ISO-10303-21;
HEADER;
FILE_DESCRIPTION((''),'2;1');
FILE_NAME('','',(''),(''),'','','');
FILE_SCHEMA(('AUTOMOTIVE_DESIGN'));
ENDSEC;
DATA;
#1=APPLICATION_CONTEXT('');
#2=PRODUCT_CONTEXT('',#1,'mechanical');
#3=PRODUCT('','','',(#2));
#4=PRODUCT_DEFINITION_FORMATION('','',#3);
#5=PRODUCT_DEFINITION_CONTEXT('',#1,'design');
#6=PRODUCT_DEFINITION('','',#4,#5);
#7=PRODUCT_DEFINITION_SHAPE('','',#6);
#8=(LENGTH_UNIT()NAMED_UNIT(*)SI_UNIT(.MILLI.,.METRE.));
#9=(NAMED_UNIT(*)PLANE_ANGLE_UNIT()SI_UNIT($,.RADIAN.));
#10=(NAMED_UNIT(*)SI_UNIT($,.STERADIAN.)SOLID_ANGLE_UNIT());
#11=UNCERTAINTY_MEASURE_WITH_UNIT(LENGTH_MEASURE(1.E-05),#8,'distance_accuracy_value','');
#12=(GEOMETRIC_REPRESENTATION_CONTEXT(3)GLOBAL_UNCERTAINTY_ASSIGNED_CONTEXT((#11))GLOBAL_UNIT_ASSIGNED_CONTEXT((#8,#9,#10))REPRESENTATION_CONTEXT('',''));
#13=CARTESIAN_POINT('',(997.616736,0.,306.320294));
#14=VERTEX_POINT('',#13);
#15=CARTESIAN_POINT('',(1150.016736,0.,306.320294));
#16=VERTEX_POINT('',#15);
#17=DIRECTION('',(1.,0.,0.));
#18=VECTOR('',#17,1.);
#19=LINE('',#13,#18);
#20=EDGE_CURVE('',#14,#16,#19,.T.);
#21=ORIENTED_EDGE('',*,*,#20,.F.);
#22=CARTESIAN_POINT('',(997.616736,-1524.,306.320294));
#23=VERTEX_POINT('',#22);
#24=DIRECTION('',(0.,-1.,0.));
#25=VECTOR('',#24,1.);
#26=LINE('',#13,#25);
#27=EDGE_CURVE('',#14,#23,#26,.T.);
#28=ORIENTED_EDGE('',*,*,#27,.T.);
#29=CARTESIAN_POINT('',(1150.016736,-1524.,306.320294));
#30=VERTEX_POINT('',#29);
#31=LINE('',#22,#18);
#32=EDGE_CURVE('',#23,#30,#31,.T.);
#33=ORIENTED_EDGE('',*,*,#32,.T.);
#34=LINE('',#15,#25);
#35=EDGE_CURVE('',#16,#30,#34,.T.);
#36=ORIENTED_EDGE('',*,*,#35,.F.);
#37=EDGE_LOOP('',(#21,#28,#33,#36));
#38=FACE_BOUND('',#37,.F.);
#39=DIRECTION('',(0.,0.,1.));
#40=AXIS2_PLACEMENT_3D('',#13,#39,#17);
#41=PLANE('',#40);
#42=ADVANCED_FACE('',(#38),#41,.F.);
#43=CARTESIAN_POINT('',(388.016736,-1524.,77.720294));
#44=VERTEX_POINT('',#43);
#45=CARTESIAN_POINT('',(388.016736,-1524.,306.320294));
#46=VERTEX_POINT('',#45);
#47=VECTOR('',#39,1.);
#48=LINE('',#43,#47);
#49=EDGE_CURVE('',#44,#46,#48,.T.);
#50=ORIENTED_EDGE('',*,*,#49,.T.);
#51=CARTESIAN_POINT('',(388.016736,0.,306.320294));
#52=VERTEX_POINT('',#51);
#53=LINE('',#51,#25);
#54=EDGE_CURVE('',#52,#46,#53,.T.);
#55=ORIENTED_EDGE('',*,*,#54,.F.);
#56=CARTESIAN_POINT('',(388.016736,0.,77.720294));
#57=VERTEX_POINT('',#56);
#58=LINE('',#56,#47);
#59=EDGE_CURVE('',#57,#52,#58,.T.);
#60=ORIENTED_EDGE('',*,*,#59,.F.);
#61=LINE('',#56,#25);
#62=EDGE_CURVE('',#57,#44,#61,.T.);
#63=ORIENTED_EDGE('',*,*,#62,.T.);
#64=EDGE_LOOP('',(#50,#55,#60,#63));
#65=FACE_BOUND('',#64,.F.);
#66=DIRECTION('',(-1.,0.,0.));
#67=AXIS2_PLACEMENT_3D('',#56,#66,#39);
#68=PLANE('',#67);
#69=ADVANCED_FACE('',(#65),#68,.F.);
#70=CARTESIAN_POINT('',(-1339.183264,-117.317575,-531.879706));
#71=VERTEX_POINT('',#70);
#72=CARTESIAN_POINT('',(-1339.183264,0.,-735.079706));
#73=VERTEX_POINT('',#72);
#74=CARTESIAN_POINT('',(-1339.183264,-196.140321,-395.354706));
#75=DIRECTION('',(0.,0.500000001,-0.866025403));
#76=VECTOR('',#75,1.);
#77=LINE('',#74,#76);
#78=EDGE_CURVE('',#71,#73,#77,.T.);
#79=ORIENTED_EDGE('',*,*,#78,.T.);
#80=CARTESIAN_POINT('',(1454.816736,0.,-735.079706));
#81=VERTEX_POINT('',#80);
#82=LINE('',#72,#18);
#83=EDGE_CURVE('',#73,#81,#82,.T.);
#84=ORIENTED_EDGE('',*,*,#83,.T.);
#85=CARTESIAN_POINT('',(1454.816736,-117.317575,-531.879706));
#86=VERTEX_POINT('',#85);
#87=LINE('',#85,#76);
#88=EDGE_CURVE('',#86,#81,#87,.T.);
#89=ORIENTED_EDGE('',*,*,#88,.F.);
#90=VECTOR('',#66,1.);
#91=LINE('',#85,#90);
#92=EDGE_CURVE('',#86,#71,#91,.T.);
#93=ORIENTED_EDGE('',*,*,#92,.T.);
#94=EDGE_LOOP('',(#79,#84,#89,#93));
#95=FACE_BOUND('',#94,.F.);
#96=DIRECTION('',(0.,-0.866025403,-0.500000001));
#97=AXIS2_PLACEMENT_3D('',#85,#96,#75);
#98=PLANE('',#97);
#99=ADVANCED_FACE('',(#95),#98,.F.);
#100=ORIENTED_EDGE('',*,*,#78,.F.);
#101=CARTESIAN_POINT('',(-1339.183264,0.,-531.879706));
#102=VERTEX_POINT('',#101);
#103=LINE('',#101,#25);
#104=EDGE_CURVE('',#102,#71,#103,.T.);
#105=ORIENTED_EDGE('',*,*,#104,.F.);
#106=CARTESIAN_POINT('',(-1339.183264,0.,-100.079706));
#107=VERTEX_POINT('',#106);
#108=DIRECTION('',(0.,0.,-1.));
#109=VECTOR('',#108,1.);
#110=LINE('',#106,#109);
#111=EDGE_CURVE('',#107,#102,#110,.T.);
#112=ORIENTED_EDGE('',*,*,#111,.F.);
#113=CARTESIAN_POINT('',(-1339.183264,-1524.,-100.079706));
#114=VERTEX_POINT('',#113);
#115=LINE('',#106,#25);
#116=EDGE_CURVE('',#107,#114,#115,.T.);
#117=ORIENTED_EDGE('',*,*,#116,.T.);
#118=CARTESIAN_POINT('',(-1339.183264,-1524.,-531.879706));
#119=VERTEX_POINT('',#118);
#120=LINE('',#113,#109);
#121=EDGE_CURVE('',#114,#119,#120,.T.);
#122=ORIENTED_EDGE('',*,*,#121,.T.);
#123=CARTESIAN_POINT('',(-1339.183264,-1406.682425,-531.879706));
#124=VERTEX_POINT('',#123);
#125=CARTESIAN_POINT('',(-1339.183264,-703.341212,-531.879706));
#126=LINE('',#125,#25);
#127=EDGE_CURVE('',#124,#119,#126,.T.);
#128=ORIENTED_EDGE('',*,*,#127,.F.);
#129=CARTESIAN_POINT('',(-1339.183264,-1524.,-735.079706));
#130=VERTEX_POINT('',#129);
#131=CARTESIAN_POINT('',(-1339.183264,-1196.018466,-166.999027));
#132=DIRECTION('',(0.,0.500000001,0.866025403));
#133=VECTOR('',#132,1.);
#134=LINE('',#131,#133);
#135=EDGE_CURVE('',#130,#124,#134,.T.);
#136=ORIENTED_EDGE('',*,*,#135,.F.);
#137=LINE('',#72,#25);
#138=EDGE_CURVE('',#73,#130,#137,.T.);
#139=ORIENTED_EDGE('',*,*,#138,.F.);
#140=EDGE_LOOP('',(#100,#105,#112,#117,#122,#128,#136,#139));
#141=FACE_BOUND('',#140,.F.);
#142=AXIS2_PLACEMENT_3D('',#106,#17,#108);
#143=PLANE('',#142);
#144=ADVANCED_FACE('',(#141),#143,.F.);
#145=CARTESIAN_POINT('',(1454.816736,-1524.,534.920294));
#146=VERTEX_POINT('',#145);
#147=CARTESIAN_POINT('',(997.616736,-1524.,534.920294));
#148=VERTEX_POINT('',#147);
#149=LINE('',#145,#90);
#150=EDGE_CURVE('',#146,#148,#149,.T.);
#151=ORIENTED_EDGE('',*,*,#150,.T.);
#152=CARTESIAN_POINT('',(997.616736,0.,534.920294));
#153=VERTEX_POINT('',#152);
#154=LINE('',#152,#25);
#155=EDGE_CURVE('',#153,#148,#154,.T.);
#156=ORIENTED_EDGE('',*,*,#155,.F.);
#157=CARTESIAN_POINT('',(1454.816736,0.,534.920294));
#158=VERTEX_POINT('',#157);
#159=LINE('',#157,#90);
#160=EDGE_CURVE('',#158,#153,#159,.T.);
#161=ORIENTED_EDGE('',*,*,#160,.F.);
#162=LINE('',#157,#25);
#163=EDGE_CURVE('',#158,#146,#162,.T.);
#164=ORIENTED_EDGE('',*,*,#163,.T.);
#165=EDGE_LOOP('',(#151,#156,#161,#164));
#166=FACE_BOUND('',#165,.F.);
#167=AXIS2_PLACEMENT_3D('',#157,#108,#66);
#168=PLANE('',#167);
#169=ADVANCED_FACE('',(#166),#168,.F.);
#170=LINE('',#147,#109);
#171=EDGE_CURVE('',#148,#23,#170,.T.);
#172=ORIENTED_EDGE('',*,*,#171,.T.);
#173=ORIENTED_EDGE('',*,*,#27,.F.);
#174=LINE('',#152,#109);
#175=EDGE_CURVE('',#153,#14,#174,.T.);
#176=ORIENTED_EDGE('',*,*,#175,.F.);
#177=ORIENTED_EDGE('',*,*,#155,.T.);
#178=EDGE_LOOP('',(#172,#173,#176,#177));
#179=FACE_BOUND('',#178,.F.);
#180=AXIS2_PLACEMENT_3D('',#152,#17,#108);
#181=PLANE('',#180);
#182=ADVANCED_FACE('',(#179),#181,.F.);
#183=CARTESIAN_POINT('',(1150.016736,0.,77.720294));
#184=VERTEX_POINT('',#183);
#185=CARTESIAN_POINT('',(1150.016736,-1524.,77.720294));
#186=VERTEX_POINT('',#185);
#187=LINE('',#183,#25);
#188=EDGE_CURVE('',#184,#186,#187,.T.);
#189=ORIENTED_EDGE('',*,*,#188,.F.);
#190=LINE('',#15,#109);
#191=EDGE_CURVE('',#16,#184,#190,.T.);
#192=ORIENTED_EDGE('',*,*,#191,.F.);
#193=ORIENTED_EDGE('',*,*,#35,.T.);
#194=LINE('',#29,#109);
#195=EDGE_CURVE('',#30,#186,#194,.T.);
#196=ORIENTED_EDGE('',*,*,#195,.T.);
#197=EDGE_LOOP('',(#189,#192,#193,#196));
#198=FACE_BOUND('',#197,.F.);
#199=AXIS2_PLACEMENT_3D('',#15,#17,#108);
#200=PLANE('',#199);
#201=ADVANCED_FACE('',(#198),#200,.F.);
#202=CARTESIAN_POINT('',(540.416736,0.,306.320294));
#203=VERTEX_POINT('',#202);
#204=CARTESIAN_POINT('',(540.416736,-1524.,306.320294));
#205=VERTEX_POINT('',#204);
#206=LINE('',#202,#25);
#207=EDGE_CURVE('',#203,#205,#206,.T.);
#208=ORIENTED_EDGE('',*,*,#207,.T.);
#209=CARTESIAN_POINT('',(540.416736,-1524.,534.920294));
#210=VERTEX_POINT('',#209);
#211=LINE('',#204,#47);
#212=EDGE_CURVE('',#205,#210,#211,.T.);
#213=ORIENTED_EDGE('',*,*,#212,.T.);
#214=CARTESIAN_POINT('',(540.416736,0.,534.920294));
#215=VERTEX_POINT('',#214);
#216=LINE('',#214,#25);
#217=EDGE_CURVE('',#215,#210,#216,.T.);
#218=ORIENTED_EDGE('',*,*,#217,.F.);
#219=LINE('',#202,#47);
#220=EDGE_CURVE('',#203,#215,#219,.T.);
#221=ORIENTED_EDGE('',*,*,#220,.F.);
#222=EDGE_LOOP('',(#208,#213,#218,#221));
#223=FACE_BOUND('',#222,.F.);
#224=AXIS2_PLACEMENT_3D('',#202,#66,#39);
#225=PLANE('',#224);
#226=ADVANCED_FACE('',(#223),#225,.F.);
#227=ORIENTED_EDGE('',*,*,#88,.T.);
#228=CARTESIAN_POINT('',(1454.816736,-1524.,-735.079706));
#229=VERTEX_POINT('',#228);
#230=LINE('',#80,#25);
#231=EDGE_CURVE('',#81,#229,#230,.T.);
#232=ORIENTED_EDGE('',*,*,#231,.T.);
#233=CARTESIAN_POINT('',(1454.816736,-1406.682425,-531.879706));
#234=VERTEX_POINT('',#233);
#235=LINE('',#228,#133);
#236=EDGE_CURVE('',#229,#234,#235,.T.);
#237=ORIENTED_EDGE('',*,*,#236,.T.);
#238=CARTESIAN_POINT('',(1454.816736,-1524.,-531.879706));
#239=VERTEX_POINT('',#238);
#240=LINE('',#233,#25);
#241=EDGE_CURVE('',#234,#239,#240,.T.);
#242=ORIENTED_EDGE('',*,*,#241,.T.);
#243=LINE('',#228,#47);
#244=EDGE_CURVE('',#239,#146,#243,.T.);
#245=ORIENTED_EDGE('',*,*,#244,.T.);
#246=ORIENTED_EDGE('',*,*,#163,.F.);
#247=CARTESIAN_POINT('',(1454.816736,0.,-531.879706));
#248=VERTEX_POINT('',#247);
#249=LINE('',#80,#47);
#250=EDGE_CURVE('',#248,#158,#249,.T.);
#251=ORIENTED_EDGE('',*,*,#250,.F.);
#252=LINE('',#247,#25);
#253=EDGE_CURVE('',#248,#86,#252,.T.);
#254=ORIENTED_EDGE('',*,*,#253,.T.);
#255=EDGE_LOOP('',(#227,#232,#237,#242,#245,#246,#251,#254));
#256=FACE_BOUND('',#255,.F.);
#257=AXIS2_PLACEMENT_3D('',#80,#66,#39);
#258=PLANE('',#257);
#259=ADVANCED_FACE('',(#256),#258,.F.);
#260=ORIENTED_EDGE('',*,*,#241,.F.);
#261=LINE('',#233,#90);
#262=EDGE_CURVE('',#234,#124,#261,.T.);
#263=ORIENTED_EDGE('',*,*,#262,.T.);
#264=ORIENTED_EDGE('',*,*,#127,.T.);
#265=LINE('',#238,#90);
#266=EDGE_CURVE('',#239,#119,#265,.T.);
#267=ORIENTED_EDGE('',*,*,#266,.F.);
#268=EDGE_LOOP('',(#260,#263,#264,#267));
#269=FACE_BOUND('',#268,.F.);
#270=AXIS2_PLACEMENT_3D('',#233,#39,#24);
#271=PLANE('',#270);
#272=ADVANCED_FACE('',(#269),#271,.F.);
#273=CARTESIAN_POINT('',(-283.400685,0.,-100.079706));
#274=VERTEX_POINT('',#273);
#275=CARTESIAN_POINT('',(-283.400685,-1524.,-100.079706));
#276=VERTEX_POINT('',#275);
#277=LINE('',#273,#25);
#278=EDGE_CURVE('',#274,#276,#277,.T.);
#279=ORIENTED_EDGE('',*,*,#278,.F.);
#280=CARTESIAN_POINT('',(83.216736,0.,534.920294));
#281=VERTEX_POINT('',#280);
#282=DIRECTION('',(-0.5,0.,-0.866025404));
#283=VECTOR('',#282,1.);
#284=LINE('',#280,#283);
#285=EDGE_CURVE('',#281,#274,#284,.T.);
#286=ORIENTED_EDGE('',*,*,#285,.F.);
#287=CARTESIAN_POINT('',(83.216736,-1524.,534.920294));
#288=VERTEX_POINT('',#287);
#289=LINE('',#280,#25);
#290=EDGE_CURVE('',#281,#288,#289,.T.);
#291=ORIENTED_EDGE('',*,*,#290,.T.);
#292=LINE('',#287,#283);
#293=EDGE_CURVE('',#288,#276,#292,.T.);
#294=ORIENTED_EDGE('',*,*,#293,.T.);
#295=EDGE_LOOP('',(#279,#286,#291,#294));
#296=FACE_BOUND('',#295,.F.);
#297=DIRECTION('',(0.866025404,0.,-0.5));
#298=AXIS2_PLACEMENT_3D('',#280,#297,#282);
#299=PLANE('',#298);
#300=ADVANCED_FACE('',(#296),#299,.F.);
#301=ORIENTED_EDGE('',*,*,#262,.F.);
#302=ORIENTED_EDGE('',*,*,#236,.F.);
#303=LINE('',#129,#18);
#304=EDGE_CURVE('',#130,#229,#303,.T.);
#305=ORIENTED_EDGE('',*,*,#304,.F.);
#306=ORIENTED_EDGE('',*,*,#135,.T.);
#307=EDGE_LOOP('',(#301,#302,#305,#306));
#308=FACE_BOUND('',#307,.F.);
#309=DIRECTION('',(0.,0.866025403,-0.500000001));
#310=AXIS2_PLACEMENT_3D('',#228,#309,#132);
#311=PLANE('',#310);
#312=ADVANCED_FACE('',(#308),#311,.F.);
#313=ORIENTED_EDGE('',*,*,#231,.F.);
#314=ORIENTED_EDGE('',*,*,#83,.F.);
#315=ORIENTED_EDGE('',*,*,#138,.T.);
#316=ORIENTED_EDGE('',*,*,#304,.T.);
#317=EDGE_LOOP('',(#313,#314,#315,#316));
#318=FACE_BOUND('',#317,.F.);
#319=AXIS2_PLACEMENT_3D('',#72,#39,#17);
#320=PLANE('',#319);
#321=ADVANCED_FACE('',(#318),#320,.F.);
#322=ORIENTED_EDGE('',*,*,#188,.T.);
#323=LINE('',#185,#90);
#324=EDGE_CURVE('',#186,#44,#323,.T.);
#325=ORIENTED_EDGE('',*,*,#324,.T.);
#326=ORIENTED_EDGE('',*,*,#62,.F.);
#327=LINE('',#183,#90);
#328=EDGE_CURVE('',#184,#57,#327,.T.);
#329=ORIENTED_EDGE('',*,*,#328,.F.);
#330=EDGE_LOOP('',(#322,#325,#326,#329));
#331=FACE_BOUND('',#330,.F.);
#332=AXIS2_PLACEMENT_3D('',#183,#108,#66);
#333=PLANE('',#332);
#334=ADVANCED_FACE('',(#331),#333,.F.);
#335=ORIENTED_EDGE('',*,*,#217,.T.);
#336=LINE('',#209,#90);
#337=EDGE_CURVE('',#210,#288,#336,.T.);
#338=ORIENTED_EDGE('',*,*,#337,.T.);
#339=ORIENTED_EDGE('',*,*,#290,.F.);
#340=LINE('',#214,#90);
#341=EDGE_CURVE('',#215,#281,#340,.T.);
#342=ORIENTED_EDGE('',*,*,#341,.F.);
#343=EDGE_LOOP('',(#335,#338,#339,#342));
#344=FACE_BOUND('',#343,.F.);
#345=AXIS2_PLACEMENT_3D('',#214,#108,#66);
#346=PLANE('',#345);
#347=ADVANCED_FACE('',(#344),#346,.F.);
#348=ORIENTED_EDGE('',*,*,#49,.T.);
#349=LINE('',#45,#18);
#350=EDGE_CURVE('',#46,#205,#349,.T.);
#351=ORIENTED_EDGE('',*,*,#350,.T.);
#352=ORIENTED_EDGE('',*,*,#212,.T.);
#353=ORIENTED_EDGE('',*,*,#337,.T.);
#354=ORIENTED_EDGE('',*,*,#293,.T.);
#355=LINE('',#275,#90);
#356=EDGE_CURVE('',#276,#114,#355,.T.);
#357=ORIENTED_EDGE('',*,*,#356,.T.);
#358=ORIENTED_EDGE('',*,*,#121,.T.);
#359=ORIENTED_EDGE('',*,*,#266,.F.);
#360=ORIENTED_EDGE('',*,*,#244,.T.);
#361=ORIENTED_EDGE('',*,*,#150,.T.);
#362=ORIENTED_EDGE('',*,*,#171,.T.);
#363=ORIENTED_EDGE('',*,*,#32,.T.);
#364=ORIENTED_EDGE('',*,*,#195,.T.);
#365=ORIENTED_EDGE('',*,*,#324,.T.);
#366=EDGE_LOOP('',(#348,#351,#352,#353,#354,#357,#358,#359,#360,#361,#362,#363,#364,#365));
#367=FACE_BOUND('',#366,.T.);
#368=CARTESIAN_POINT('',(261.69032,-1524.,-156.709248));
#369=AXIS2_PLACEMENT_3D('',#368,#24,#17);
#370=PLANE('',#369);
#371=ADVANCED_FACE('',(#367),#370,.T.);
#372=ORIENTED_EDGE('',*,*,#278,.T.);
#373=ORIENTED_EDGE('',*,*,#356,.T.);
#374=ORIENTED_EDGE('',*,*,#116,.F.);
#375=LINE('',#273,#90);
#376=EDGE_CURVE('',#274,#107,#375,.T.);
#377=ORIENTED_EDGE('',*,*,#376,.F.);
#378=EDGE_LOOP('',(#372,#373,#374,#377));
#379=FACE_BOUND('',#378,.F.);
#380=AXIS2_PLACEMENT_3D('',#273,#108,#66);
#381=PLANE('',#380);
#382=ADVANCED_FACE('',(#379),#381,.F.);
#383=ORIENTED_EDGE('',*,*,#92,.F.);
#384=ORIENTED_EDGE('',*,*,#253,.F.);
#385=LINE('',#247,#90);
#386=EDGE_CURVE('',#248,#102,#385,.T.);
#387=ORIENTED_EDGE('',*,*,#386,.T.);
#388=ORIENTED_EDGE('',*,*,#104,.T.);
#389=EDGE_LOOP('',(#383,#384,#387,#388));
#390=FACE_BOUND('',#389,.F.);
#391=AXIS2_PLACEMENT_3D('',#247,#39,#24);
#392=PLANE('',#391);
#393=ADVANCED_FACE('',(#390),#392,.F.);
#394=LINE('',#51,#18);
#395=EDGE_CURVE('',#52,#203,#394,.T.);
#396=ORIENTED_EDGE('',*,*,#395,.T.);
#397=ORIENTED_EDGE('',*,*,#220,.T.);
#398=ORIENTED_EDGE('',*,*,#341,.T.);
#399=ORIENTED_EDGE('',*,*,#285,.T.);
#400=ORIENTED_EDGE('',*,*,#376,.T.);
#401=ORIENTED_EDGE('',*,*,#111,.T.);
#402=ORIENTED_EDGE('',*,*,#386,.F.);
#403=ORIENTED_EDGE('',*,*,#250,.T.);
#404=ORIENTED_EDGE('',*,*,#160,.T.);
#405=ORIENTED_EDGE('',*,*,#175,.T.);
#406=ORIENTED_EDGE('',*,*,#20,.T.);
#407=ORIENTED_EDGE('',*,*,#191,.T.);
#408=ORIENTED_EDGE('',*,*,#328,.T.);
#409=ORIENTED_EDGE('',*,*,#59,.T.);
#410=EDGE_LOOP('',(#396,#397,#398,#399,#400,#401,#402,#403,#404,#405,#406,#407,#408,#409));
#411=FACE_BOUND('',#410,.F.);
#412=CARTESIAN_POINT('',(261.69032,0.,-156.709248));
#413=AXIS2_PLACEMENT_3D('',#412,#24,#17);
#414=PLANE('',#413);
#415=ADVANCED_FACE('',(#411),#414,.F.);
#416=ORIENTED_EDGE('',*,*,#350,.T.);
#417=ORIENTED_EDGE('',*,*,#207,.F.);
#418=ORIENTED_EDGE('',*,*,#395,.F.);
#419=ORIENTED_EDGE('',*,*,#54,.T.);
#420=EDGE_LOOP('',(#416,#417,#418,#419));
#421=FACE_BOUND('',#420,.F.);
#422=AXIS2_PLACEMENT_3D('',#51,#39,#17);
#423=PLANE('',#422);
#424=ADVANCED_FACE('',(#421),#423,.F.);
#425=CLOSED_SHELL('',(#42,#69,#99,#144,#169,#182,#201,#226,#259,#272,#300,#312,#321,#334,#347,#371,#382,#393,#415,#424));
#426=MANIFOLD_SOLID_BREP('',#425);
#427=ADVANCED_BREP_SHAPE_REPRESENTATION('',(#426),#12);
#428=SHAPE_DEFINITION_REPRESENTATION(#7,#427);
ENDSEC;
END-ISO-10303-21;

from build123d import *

# Parameters (mm, degrees)
F1_DEPTH = 1524
F3_DEPTH = 2794.001
F5_DEPTH = 2794.001


with BuildPart() as f1:
    # F0 (on Front) → F1 (new body)
    with BuildSketch(Plane.XZ):
        Polygon((-1339.183264, -100.079706), (-1339.183264, -735.079706), (1454.816736, -735.079706), (1454.816736, 534.920294), (997.616736, 534.920294), (997.616736, 306.320294), (1150.016736, 306.320294), (1150.016736, 77.720294), (388.016736, 77.720294), (388.016736, 306.320294), (540.416736, 306.320294), (540.416736, 534.920294), (83.216736, 534.920294), (-283.400685, -100.079706), align=None)
    extrude(amount=F1_DEPTH)

    # F2 (on face) → F3 (cut, through all)
    with BuildSketch(Plane.YZ.offset(1454.816736)):
        Polygon((-117.317575, -531.879706), (0, -735.079706), (0, -531.879706), align=None)
    extrude(amount=-F3_DEPTH, mode=Mode.SUBTRACT)

    # F4 (on face) → F5 (cut, through all)
    with BuildSketch(Plane.YZ.offset(1454.816736)):
        Polygon((-1524, -531.879706), (-1524, -735.079706), (-1406.682425, -531.879706), align=None)
    extrude(amount=-F5_DEPTH, mode=Mode.SUBTRACT)


solid = f1.part
